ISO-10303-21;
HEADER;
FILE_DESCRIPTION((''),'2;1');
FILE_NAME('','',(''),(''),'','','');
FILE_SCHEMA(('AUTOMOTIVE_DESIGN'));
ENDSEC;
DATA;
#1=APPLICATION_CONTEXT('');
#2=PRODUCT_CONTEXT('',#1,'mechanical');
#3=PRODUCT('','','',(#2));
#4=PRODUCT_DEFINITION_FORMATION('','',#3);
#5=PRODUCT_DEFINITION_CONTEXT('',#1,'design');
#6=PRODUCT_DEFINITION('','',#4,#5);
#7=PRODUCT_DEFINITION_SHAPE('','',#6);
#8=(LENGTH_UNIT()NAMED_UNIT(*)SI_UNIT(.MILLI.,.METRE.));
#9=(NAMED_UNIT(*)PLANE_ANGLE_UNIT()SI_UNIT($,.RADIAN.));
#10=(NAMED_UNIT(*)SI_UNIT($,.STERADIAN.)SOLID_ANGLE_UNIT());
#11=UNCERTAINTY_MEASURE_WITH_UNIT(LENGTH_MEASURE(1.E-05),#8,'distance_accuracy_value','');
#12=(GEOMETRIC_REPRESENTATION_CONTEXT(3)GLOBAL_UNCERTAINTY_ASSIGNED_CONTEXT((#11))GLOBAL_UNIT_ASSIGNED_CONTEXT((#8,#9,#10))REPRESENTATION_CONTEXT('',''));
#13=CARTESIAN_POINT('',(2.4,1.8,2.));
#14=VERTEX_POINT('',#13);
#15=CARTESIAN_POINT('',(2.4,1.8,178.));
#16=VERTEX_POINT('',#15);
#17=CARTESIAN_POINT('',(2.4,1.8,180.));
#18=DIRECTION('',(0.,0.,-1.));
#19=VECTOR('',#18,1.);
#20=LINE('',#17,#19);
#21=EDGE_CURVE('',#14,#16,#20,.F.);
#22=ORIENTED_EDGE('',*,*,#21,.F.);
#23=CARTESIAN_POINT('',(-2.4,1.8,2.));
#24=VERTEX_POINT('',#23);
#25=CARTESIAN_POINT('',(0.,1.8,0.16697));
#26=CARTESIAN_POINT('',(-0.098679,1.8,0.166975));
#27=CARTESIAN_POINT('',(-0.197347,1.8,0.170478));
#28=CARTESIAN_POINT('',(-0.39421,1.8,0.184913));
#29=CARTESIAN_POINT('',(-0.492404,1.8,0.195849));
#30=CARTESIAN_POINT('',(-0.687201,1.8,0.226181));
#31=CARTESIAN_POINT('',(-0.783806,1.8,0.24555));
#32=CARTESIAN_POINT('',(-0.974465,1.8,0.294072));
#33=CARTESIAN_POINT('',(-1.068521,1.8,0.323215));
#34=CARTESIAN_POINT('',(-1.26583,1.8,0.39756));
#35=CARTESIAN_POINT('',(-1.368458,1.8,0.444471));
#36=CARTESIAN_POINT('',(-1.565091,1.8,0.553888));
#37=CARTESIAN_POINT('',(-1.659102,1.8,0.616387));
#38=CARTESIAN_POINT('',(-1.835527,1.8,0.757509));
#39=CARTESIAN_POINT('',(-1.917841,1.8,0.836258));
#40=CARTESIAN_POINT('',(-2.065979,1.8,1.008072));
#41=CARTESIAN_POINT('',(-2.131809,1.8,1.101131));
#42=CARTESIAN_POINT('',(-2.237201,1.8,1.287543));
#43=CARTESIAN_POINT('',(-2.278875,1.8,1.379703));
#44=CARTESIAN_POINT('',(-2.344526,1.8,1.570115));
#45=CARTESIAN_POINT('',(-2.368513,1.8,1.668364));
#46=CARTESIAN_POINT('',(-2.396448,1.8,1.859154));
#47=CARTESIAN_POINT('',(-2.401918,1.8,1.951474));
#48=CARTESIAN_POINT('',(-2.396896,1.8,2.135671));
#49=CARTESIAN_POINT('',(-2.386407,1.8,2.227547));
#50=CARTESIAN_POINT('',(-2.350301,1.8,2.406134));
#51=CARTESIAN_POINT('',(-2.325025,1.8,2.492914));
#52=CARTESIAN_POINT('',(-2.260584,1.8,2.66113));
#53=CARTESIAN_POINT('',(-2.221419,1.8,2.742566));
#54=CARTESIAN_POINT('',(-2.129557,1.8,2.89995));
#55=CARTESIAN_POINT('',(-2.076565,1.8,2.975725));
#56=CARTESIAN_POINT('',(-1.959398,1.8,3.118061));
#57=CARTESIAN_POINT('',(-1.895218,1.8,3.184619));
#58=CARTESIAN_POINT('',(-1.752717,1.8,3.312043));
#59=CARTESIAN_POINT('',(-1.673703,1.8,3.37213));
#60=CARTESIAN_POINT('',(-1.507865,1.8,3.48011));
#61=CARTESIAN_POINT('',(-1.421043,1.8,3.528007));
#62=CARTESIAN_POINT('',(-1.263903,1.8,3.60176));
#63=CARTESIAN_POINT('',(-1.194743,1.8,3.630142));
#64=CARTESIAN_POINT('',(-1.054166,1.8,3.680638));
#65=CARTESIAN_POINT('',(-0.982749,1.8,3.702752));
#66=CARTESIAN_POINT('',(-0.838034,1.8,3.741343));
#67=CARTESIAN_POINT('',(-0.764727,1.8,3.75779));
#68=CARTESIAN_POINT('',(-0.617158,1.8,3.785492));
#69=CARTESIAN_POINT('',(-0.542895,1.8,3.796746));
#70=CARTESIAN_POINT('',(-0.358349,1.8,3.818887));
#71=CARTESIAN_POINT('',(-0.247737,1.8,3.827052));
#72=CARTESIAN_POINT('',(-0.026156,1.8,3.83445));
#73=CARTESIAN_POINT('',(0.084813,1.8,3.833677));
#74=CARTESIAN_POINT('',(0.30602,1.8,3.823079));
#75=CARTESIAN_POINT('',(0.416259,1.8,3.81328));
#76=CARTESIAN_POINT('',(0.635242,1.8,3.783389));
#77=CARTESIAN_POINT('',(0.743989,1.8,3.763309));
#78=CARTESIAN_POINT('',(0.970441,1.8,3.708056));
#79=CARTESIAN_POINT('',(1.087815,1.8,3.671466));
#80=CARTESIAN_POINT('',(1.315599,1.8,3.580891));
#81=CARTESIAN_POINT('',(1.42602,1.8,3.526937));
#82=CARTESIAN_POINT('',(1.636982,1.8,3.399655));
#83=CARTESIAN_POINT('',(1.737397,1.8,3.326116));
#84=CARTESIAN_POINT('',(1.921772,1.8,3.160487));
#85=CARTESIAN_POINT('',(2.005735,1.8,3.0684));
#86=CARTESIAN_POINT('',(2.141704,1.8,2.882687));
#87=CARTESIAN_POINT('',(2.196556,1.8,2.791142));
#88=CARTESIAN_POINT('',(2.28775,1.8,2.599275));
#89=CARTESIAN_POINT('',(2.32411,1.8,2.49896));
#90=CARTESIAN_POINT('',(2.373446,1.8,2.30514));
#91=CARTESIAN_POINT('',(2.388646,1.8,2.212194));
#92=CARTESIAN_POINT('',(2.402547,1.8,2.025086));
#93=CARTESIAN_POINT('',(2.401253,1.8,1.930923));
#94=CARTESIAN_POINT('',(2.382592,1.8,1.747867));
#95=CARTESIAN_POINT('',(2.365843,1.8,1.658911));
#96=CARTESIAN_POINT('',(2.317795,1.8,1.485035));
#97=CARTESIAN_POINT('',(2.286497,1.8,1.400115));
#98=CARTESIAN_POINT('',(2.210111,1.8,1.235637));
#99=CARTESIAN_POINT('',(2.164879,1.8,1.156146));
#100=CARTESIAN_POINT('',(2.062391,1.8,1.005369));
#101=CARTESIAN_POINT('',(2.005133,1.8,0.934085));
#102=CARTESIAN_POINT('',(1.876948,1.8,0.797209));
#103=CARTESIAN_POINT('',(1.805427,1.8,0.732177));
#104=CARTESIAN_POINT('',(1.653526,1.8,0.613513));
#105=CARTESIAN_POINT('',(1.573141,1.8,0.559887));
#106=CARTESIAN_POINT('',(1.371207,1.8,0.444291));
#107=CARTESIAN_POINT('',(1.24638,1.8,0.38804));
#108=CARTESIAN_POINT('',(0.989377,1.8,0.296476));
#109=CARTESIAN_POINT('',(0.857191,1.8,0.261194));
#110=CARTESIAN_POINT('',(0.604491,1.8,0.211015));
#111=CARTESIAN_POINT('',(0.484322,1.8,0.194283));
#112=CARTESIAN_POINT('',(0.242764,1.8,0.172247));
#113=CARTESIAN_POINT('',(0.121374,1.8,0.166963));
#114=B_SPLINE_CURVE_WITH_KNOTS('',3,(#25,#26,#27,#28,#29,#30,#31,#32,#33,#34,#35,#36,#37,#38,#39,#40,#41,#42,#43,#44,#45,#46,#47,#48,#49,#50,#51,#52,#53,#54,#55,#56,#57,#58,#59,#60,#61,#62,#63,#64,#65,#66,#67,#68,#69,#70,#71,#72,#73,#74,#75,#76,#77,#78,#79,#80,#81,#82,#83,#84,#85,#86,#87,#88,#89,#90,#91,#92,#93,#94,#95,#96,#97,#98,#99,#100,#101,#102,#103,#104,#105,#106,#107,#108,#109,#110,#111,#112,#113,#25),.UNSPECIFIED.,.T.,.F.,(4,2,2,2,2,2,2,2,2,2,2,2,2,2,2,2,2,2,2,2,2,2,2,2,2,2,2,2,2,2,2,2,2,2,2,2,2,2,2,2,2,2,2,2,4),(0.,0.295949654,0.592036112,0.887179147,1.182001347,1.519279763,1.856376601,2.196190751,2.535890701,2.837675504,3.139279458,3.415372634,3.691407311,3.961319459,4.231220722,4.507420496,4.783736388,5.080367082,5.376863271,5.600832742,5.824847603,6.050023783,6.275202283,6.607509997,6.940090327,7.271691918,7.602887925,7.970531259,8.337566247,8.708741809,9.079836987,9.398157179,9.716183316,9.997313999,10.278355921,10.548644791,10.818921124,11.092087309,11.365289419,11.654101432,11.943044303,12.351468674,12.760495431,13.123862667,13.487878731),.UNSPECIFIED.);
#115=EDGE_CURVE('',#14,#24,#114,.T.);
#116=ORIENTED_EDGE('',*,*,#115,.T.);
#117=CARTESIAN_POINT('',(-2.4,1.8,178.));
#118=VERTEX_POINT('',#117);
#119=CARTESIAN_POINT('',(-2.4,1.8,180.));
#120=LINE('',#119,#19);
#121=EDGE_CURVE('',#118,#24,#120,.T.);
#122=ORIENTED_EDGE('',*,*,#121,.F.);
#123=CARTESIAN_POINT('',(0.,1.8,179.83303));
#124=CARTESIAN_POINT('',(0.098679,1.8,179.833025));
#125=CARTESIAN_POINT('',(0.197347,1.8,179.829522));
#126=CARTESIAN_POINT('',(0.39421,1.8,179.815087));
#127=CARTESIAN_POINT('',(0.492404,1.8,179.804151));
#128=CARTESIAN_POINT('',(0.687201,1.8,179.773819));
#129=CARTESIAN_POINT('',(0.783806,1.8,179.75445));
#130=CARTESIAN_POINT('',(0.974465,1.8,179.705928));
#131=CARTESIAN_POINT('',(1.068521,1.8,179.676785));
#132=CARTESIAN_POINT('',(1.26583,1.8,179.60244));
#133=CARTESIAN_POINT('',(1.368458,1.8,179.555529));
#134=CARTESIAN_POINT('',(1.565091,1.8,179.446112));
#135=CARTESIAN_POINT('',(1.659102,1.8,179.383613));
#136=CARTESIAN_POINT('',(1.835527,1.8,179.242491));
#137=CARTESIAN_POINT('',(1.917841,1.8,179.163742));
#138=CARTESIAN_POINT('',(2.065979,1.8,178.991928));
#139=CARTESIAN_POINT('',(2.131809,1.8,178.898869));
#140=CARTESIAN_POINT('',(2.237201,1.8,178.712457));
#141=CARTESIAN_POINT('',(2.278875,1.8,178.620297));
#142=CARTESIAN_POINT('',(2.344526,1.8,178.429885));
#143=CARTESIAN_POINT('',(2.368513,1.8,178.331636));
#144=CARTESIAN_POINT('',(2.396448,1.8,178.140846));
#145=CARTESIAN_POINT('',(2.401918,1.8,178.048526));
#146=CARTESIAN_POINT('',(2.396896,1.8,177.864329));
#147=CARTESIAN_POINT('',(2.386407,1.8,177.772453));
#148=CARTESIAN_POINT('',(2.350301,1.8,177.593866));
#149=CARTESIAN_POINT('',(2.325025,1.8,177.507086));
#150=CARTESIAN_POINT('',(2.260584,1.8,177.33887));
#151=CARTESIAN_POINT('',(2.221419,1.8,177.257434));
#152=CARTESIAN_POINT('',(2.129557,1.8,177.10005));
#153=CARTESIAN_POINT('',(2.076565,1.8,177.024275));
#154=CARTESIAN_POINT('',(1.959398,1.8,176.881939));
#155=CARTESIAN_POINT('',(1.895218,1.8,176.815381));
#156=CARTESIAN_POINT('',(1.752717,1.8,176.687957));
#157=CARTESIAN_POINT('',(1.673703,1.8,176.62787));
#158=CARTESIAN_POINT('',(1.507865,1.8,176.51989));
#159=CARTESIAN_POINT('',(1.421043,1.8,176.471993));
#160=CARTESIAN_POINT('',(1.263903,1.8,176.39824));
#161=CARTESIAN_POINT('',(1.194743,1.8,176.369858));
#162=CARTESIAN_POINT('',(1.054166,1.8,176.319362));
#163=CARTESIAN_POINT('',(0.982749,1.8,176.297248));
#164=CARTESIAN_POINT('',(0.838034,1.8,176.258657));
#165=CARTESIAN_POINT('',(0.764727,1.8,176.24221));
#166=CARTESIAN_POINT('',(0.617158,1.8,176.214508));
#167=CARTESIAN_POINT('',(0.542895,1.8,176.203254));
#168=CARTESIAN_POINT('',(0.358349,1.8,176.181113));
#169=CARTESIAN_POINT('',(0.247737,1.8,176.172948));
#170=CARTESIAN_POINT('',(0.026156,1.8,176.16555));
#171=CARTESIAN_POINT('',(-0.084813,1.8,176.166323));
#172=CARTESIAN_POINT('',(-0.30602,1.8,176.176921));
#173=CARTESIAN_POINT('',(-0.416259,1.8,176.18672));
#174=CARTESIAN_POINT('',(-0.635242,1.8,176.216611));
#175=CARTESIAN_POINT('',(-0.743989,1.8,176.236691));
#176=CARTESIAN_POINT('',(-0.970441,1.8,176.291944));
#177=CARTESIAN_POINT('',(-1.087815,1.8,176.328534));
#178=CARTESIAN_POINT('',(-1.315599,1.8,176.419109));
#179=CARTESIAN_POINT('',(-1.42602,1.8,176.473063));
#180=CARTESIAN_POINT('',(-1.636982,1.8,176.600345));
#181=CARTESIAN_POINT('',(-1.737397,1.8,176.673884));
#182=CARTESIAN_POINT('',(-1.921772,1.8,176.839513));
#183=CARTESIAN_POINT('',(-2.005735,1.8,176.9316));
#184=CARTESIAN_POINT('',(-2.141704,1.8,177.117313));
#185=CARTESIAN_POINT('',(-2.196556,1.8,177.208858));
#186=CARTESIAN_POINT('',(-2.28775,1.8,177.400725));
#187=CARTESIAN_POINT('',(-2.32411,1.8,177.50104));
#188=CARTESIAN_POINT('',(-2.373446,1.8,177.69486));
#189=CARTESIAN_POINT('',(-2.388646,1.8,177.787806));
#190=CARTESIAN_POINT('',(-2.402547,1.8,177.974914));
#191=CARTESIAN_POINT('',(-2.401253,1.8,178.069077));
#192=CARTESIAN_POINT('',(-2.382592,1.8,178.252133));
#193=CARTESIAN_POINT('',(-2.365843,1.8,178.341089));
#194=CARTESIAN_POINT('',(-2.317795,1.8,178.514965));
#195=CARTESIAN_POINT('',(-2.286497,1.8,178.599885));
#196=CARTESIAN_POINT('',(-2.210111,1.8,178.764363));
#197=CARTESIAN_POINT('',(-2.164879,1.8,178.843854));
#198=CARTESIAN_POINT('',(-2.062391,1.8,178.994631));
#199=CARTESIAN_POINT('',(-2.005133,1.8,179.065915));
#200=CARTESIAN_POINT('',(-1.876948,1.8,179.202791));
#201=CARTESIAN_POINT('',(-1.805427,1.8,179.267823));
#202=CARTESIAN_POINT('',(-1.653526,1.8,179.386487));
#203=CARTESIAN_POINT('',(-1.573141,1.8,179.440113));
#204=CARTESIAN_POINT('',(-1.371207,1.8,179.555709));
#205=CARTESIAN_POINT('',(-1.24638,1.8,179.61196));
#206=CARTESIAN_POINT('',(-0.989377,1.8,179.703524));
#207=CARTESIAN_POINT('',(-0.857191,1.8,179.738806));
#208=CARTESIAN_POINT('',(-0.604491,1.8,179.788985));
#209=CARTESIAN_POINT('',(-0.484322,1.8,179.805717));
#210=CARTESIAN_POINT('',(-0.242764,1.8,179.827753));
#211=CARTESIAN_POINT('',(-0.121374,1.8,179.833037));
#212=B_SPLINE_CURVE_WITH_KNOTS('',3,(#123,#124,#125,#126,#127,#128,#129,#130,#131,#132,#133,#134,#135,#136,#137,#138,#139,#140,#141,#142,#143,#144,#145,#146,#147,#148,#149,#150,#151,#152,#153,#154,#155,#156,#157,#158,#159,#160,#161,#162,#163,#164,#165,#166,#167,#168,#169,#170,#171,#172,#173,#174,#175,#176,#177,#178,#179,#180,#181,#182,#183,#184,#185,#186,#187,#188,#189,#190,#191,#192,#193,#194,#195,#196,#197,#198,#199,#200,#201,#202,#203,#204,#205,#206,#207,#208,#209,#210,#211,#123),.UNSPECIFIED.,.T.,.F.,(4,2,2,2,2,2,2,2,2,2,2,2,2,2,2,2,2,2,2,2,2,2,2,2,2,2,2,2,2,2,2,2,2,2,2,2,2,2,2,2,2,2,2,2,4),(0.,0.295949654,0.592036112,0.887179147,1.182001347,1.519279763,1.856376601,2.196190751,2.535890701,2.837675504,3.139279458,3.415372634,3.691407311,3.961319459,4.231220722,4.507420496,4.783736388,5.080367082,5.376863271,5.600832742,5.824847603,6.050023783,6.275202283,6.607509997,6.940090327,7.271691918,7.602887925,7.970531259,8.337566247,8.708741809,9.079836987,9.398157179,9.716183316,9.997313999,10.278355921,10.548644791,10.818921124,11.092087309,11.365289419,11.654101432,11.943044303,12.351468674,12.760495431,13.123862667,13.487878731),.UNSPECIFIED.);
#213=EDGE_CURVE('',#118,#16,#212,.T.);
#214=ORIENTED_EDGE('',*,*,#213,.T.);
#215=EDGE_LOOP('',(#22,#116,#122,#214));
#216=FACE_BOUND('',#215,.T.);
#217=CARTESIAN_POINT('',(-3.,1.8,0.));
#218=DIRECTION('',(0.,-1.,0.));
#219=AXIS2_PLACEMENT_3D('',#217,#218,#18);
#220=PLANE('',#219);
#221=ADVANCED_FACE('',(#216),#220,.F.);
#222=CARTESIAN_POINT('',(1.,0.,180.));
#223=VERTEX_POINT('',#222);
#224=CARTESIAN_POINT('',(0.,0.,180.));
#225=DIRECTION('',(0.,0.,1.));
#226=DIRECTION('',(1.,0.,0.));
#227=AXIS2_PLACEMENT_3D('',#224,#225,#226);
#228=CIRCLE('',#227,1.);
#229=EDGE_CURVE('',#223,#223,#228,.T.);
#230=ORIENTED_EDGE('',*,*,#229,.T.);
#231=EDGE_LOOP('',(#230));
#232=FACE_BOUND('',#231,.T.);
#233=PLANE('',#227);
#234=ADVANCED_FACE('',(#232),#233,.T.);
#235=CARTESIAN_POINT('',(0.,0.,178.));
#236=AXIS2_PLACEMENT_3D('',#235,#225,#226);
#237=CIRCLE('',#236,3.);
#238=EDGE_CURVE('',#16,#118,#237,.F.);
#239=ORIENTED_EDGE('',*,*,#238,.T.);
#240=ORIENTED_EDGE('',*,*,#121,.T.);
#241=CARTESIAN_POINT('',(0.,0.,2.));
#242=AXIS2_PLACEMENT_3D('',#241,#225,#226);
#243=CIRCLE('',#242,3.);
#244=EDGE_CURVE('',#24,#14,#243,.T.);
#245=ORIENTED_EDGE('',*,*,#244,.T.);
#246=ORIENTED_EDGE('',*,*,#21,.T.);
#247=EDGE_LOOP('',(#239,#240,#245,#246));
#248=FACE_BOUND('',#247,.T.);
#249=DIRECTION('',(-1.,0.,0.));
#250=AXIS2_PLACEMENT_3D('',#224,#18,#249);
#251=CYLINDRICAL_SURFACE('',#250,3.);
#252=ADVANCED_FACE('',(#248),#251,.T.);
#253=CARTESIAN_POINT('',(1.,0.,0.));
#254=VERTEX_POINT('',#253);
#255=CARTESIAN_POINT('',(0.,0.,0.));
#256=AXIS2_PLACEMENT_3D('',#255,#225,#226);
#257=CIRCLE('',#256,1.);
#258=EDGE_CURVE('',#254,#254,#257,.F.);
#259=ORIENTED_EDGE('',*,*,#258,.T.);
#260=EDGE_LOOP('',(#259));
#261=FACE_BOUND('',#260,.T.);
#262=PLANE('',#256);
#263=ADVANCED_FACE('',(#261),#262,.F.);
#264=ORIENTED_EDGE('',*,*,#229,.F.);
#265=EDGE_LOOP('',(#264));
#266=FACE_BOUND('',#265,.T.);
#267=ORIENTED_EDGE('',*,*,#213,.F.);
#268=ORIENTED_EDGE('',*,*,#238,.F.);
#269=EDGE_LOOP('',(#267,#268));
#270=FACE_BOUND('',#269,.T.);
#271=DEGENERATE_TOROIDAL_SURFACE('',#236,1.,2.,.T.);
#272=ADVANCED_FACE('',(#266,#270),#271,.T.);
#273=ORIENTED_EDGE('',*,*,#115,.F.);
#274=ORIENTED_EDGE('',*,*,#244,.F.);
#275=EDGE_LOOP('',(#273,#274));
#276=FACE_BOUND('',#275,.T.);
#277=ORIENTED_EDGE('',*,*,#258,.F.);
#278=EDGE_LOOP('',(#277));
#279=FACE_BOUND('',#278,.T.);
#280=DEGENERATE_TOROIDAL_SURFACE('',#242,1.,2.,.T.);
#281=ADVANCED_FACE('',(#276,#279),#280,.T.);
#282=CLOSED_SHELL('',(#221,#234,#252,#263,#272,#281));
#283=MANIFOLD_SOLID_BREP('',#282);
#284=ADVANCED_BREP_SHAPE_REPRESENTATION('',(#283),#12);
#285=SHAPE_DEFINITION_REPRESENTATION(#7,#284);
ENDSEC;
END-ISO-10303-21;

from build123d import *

# Parameters (mm, degrees)
ESQUISSE1_R             = 3
BOSS_EXTRU_1_DEPTH      = 180
CONG_1_R                = 2
ESQUISSE2_W             = 6
ESQUISSE2_H             = 1.2
ENL_V_MAT_EXTRU_1_DEPTH = 181.049993057


with BuildPart() as part:
    # Esquisse1 → Boss.-Extru.1 (new body)
    with BuildSketch(Plane.XY):
        with Locations(Location((0, 0, 0), (0, 0, 180))):
            Circle(ESQUISSE1_R)
    extrude(amount=BOSS_EXTRU_1_DEPTH)

    # Congé1
    cong_1_edges = [part.edges().sort_by_distance(p)[0] for p in [
        (3, 0, 0),
        (3, 0, 180),
    ]]
    fillet(cong_1_edges, radius=CONG_1_R)

    # Esquisse2 → Enlèv. mat.-Extru.1 (cut, through all)
    with BuildSketch(Plane.XY.offset(180)):
        with Locations((0, 2.4)):
            Rectangle(ESQUISSE2_W, ESQUISSE2_H)
    extrude(amount=-ENL_V_MAT_EXTRU_1_DEPTH, mode=Mode.SUBTRACT)


solid = part.part
